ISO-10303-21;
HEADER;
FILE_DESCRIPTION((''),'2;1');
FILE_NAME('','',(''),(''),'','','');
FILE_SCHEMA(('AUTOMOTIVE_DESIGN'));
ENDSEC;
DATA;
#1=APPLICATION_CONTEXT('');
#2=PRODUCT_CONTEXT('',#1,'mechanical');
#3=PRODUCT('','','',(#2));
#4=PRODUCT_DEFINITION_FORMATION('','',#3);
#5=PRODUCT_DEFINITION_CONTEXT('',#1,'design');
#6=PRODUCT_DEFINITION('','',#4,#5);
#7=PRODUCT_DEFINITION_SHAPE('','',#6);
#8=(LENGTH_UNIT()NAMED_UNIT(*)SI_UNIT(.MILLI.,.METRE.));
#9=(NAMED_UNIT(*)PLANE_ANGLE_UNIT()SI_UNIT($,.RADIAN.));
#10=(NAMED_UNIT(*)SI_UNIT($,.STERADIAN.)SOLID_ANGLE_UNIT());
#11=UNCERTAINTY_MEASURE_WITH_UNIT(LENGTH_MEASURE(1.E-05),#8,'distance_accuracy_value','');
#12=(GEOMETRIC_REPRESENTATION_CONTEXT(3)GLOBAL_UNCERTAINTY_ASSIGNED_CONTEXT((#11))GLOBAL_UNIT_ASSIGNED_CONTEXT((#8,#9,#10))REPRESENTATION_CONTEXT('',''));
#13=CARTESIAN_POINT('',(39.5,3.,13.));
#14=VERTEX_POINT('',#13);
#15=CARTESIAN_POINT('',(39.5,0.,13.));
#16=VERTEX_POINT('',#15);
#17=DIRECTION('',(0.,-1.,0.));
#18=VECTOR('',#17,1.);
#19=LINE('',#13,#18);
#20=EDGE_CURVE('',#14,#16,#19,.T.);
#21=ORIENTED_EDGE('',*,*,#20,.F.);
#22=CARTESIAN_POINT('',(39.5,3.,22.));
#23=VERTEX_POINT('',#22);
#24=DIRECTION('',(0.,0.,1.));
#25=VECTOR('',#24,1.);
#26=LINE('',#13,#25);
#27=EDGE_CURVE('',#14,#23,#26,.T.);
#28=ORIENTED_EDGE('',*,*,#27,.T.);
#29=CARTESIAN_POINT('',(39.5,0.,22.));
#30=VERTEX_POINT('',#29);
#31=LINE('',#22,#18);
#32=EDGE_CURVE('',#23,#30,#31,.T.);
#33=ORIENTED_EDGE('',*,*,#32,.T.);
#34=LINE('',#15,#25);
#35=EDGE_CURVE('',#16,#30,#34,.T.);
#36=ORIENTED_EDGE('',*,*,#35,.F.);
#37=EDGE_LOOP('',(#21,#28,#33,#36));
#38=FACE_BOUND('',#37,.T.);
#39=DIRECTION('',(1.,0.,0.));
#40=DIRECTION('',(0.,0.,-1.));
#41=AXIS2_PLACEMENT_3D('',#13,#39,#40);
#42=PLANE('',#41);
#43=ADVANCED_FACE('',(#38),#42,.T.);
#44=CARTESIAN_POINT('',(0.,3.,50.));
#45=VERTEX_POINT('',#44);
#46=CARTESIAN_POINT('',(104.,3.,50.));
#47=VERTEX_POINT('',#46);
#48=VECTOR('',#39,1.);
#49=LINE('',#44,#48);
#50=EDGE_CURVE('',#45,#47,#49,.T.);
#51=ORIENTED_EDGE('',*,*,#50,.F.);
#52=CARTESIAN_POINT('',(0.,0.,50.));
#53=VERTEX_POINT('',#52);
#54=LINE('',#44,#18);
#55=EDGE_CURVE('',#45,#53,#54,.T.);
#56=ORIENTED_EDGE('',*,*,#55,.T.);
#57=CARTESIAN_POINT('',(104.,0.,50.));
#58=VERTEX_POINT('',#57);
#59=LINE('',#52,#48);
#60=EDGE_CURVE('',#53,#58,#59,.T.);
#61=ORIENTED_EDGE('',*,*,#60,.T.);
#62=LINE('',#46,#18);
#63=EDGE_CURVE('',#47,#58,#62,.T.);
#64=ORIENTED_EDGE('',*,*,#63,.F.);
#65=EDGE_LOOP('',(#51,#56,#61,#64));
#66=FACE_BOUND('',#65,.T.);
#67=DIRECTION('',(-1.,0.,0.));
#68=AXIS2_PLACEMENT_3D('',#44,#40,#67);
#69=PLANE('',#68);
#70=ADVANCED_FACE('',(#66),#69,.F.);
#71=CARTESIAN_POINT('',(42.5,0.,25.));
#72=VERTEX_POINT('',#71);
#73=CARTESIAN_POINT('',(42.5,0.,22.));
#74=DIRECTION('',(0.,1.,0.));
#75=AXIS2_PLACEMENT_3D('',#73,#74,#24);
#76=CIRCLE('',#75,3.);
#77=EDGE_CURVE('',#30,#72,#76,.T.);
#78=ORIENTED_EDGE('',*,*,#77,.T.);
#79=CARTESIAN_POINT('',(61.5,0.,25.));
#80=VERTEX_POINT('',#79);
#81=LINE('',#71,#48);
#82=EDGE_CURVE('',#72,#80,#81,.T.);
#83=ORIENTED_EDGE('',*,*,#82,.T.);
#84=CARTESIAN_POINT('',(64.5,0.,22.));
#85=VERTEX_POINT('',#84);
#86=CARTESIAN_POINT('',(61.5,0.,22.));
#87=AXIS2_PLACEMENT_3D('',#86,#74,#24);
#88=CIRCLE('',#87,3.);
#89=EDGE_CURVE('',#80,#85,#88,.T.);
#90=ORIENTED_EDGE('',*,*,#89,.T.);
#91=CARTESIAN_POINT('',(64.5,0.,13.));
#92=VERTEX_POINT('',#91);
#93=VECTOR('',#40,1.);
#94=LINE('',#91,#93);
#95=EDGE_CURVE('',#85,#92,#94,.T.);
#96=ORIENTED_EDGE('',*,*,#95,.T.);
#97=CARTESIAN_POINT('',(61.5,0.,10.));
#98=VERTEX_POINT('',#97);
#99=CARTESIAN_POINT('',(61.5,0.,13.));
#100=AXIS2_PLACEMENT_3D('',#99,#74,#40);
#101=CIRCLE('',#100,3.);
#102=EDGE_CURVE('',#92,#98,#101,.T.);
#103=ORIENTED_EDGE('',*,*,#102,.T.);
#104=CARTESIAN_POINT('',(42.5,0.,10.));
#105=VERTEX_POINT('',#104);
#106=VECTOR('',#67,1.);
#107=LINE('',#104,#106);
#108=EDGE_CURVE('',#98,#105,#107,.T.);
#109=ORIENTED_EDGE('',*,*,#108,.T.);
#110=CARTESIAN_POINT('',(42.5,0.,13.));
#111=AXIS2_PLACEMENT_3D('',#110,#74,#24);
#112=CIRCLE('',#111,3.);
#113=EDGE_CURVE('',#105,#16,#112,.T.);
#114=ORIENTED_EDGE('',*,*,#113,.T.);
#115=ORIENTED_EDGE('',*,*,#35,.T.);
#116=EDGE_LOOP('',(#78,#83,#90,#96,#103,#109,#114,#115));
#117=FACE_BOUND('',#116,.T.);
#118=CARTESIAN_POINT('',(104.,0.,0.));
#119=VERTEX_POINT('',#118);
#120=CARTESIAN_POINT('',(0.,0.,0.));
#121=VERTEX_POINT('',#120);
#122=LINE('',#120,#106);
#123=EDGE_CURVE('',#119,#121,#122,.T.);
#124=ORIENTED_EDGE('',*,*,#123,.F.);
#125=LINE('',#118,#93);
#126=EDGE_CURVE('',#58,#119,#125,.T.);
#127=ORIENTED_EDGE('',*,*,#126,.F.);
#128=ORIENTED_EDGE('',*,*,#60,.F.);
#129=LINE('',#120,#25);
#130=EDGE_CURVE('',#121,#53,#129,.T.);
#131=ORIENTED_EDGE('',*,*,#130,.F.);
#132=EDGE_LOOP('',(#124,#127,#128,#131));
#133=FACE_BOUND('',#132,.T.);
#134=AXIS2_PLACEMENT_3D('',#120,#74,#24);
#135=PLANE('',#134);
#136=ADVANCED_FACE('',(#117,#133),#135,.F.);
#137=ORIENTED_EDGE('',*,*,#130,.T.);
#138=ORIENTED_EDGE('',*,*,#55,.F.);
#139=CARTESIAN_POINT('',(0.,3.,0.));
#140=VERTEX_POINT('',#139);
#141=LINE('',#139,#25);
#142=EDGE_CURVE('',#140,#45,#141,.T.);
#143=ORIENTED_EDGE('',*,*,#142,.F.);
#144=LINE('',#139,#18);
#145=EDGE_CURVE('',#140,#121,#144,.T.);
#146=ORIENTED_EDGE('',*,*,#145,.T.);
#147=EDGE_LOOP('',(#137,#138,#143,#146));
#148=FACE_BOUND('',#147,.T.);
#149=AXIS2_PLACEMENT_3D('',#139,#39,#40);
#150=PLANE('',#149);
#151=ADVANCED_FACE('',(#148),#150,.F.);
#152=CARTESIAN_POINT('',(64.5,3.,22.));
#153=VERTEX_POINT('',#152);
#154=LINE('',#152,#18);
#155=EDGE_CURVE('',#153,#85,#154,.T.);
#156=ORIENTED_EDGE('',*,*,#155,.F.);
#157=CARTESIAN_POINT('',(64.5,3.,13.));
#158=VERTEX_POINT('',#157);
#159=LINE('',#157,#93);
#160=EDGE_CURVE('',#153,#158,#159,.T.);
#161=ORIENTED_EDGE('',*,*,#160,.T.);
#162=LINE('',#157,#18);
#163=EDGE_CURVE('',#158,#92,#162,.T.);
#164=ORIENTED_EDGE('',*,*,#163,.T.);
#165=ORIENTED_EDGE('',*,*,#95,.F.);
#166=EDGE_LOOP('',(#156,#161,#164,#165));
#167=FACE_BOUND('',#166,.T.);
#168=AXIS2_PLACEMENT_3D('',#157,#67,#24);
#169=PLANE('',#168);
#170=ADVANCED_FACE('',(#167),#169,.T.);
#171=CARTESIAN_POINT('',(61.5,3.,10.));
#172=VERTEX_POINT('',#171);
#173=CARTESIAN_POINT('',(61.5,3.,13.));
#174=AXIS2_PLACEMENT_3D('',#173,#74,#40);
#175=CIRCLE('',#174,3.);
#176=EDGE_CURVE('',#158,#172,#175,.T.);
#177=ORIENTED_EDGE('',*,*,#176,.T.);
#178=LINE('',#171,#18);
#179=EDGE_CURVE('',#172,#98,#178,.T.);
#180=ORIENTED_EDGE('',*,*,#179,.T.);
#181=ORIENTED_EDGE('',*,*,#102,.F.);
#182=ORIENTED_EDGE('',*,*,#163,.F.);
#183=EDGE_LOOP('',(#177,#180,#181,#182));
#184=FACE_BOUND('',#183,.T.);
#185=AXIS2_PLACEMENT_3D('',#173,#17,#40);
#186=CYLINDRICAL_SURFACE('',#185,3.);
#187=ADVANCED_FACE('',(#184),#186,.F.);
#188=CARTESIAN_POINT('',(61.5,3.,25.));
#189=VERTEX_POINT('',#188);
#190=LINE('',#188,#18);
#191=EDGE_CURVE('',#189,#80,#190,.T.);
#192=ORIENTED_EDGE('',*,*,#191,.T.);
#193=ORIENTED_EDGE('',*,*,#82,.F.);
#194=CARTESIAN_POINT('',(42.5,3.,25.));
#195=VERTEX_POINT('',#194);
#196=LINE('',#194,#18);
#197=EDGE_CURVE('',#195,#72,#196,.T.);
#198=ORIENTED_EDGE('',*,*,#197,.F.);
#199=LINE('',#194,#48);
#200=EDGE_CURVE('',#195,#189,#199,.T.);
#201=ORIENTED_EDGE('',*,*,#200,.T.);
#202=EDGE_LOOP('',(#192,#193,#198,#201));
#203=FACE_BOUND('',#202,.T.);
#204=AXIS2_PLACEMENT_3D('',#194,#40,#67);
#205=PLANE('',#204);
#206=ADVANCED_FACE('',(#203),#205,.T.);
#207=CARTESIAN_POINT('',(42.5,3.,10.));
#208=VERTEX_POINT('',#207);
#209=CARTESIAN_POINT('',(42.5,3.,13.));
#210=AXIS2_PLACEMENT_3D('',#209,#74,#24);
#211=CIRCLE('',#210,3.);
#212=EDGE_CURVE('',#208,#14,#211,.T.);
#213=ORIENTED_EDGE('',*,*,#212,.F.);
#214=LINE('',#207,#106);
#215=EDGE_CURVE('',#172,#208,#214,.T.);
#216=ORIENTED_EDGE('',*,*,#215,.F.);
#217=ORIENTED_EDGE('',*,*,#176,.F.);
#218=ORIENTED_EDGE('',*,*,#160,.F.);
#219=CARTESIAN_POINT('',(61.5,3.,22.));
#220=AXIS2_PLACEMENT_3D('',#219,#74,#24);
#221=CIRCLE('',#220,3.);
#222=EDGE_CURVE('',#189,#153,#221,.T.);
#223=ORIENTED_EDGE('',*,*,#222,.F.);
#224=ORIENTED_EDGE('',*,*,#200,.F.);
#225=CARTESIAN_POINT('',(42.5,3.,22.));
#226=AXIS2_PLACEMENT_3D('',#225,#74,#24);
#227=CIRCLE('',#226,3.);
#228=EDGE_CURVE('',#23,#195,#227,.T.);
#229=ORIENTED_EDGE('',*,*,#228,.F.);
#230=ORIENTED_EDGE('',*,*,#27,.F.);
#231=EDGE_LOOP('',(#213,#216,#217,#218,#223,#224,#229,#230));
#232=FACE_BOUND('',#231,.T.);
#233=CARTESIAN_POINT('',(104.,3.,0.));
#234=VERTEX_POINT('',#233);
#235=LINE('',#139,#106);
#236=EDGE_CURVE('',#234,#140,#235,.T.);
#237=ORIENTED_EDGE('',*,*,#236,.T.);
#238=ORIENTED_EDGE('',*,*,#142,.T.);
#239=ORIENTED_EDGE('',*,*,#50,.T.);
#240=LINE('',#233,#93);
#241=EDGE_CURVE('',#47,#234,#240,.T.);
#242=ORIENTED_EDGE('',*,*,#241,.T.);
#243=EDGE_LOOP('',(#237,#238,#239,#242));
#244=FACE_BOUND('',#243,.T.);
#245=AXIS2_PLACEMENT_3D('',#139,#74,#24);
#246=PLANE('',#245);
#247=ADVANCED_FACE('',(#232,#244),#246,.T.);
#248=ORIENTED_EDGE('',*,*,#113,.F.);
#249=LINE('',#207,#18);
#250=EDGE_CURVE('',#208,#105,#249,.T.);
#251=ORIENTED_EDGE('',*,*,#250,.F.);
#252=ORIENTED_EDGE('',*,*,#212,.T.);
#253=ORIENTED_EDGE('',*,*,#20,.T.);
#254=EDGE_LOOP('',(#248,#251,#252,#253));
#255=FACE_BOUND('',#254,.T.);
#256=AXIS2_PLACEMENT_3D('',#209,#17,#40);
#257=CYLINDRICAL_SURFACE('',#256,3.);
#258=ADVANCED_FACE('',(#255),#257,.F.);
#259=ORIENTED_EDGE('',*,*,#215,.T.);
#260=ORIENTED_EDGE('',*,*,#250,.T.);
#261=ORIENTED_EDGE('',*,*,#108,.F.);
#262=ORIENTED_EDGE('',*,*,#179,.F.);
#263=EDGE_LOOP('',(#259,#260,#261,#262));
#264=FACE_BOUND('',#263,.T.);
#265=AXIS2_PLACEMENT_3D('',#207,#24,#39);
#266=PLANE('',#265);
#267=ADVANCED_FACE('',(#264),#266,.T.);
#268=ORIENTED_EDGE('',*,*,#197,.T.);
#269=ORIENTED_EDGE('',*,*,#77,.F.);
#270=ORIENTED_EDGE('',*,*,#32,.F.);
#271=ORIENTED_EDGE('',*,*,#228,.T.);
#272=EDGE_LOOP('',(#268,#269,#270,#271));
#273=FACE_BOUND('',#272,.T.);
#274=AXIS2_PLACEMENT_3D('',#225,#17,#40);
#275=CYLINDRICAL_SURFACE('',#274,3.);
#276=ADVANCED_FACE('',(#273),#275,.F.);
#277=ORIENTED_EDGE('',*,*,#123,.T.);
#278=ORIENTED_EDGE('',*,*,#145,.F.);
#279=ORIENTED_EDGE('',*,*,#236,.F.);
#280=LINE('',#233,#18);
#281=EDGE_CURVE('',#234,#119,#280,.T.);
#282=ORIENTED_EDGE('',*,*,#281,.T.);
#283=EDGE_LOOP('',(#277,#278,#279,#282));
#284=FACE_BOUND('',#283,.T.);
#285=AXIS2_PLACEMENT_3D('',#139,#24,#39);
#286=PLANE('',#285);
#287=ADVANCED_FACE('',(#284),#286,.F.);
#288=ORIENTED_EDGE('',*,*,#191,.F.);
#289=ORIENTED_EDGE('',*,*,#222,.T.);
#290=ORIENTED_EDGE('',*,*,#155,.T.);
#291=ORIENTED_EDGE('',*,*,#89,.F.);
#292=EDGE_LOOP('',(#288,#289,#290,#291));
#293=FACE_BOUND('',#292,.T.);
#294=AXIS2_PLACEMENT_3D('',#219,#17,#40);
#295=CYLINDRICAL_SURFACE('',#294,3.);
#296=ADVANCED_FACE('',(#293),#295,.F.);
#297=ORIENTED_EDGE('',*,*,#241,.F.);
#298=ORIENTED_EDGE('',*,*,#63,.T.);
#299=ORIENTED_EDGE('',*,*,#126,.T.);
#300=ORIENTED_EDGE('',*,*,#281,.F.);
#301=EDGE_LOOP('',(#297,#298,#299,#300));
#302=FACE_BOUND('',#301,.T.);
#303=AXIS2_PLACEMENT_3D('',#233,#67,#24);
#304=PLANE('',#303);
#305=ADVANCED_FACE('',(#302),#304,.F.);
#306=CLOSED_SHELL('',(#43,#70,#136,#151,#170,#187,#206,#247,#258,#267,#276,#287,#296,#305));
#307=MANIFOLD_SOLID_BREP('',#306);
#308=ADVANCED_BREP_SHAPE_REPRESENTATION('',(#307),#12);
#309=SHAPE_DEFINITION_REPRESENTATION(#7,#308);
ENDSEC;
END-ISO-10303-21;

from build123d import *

# Parameters (mm, degrees)
IZIM1_W                     = 104
IZIM1_H                     = 50
Y_KSEKLIK_EKSTR_ZYON1_DEPTH = 3


with BuildPart() as part:
    # Çizim1 → Yükseklik-Ekstrüzyon1 (new body)
    with BuildSketch(Plane(origin=(0, 0, 0), x_dir=(1, 0, 0), z_dir=(0, 1, 0))):
        with Locations((52, -25)):
            Rectangle(IZIM1_W, IZIM1_H)
        with BuildLine():
            Line((42.5, -10), (61.5, -10))
            ThreePointArc((61.5, -10), (63.621320344, -10.878679656), (64.5, -13))
            Line((64.5, -13), (64.5, -22))
            ThreePointArc((64.5, -22), (63.621320344, -24.121320344), (61.5, -25))
            Line((61.5, -25), (42.5, -25))
            ThreePointArc((42.5, -25), (40.378679656, -24.121320344), (39.5, -22))
            Line((39.5, -22), (39.5, -13))
            ThreePointArc((39.5, -13), (40.378679656, -10.878679656), (42.5, -10))
        make_face(mode=Mode.SUBTRACT)
    extrude(amount=Y_KSEKLIK_EKSTR_ZYON1_DEPTH)


solid = part.part
